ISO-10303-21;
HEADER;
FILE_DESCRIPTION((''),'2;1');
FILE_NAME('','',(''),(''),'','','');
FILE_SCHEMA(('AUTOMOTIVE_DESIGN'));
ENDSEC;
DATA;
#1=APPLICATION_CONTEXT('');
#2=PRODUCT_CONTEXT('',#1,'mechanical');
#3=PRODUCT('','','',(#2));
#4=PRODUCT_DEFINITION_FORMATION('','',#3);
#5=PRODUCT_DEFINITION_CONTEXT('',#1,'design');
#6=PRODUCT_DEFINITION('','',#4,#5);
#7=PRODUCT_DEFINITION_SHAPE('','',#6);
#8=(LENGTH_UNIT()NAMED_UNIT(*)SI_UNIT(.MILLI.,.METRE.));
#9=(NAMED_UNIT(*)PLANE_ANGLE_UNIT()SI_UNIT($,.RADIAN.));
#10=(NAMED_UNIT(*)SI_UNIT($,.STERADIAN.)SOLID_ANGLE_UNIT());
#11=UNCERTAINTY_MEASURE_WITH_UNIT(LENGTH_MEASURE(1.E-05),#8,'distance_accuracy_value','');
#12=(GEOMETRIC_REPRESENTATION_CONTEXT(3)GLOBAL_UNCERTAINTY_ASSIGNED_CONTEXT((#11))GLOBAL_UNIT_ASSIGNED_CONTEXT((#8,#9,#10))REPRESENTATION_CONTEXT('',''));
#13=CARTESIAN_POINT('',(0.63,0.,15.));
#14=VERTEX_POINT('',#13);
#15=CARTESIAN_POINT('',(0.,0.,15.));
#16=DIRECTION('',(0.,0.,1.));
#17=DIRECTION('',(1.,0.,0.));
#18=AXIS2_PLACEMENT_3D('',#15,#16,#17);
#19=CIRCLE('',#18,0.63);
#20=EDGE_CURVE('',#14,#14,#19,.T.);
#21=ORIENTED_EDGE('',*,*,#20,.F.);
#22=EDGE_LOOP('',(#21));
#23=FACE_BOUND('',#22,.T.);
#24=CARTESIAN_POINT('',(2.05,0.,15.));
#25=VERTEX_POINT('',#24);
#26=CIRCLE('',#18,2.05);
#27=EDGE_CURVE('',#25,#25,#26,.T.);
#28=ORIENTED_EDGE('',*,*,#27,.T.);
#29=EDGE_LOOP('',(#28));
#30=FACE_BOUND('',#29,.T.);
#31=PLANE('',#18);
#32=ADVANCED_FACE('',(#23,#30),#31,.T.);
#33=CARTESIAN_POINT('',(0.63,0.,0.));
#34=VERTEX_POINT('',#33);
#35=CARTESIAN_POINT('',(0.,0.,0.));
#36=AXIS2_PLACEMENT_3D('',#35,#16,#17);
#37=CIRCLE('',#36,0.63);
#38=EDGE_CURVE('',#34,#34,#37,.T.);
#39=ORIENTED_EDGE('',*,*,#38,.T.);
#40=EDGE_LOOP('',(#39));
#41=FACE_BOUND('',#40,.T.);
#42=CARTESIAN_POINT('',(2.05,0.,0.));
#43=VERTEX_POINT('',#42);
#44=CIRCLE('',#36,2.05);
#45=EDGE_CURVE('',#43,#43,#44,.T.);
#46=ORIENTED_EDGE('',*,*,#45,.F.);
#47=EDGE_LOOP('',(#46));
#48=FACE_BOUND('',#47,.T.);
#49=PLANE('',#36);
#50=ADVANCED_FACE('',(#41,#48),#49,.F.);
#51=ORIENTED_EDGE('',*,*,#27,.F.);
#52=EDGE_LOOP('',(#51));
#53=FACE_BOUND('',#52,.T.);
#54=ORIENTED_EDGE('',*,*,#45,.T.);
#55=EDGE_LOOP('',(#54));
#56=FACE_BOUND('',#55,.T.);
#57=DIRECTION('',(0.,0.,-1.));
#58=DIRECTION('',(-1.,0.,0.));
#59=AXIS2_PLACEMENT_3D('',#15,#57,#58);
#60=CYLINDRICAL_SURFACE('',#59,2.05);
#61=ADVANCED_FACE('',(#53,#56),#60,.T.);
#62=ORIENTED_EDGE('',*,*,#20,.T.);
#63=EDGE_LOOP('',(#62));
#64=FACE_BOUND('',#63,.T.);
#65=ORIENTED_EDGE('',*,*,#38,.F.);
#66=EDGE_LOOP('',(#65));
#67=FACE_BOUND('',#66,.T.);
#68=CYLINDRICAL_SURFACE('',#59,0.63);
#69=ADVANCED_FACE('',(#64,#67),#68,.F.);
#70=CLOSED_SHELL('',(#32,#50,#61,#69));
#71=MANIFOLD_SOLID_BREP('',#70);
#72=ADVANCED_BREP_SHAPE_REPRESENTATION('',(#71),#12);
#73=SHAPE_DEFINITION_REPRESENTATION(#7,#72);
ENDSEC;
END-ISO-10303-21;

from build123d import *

# Parameters (mm, degrees)
CROQUIS1_R              = 2.05
CROQUIS1_R_2            = 0.63
SALIENTE_EXTRUIR1_DEPTH = 15


with BuildPart() as part:
    # Croquis1 → Saliente-Extruir1 (new body)
    with BuildSketch(Plane.XY):
        Circle(CROQUIS1_R)
        Circle(CROQUIS1_R_2, mode=Mode.SUBTRACT)
    extrude(amount=SALIENTE_EXTRUIR1_DEPTH)


solid = part.part
